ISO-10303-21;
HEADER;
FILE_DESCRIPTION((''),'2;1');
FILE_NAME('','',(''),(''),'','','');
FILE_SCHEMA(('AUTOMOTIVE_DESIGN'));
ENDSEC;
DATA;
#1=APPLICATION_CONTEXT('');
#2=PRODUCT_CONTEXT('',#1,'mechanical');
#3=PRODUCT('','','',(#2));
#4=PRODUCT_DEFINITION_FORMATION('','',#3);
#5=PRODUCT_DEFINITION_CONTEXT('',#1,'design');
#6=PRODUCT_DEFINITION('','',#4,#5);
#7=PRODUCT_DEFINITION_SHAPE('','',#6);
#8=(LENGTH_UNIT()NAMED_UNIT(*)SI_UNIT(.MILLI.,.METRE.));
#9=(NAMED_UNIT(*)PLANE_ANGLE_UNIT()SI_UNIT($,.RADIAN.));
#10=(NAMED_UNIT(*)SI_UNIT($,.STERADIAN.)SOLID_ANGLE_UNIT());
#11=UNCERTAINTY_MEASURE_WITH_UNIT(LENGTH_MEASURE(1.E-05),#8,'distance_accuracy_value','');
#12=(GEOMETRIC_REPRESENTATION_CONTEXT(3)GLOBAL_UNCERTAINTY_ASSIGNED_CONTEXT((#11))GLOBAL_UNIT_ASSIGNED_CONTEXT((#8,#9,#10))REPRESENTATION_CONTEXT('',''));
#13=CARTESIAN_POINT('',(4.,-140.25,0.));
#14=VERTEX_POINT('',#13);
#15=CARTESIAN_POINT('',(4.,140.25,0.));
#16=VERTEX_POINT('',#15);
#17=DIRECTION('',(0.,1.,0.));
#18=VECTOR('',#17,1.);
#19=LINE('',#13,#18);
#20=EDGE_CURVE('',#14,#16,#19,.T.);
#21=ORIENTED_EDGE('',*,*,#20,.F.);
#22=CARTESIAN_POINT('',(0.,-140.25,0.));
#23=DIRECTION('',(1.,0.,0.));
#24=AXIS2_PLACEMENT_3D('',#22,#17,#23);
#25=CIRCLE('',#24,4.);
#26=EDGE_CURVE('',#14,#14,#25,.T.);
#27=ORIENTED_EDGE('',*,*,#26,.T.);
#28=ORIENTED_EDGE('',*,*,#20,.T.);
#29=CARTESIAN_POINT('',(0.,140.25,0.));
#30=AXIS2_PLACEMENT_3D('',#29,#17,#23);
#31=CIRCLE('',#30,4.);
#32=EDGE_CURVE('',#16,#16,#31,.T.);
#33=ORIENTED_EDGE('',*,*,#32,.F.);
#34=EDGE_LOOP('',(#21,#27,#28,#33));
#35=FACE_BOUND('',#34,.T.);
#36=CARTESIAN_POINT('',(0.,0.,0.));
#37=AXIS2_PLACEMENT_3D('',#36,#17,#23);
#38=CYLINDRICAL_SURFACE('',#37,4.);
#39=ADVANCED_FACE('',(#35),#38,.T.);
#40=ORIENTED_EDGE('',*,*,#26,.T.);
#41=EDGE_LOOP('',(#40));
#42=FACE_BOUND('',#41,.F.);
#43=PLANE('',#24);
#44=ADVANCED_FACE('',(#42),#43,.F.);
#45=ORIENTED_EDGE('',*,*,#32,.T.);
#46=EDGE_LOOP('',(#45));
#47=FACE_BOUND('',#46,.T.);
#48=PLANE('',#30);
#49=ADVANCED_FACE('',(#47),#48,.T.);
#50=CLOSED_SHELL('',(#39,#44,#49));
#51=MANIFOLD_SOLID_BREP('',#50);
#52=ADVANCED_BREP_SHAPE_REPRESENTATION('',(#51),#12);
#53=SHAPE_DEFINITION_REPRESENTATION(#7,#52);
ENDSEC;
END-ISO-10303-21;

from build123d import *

# Parameters (mm, degrees)
ESBO_O1_R                = 4
RESSALTO_EXTRUS_O1_DEPTH = 140.25


with BuildPart() as part:
    # Esboço1 → Ressalto-extrusão1 (new body, symmetric)
    with BuildSketch(Plane(origin=(0, 0, 0), x_dir=(1, 0, 0), z_dir=(0, 1, 0))):
        Circle(ESBO_O1_R)
    extrude(amount=RESSALTO_EXTRUS_O1_DEPTH, both=True)


solid = part.part
